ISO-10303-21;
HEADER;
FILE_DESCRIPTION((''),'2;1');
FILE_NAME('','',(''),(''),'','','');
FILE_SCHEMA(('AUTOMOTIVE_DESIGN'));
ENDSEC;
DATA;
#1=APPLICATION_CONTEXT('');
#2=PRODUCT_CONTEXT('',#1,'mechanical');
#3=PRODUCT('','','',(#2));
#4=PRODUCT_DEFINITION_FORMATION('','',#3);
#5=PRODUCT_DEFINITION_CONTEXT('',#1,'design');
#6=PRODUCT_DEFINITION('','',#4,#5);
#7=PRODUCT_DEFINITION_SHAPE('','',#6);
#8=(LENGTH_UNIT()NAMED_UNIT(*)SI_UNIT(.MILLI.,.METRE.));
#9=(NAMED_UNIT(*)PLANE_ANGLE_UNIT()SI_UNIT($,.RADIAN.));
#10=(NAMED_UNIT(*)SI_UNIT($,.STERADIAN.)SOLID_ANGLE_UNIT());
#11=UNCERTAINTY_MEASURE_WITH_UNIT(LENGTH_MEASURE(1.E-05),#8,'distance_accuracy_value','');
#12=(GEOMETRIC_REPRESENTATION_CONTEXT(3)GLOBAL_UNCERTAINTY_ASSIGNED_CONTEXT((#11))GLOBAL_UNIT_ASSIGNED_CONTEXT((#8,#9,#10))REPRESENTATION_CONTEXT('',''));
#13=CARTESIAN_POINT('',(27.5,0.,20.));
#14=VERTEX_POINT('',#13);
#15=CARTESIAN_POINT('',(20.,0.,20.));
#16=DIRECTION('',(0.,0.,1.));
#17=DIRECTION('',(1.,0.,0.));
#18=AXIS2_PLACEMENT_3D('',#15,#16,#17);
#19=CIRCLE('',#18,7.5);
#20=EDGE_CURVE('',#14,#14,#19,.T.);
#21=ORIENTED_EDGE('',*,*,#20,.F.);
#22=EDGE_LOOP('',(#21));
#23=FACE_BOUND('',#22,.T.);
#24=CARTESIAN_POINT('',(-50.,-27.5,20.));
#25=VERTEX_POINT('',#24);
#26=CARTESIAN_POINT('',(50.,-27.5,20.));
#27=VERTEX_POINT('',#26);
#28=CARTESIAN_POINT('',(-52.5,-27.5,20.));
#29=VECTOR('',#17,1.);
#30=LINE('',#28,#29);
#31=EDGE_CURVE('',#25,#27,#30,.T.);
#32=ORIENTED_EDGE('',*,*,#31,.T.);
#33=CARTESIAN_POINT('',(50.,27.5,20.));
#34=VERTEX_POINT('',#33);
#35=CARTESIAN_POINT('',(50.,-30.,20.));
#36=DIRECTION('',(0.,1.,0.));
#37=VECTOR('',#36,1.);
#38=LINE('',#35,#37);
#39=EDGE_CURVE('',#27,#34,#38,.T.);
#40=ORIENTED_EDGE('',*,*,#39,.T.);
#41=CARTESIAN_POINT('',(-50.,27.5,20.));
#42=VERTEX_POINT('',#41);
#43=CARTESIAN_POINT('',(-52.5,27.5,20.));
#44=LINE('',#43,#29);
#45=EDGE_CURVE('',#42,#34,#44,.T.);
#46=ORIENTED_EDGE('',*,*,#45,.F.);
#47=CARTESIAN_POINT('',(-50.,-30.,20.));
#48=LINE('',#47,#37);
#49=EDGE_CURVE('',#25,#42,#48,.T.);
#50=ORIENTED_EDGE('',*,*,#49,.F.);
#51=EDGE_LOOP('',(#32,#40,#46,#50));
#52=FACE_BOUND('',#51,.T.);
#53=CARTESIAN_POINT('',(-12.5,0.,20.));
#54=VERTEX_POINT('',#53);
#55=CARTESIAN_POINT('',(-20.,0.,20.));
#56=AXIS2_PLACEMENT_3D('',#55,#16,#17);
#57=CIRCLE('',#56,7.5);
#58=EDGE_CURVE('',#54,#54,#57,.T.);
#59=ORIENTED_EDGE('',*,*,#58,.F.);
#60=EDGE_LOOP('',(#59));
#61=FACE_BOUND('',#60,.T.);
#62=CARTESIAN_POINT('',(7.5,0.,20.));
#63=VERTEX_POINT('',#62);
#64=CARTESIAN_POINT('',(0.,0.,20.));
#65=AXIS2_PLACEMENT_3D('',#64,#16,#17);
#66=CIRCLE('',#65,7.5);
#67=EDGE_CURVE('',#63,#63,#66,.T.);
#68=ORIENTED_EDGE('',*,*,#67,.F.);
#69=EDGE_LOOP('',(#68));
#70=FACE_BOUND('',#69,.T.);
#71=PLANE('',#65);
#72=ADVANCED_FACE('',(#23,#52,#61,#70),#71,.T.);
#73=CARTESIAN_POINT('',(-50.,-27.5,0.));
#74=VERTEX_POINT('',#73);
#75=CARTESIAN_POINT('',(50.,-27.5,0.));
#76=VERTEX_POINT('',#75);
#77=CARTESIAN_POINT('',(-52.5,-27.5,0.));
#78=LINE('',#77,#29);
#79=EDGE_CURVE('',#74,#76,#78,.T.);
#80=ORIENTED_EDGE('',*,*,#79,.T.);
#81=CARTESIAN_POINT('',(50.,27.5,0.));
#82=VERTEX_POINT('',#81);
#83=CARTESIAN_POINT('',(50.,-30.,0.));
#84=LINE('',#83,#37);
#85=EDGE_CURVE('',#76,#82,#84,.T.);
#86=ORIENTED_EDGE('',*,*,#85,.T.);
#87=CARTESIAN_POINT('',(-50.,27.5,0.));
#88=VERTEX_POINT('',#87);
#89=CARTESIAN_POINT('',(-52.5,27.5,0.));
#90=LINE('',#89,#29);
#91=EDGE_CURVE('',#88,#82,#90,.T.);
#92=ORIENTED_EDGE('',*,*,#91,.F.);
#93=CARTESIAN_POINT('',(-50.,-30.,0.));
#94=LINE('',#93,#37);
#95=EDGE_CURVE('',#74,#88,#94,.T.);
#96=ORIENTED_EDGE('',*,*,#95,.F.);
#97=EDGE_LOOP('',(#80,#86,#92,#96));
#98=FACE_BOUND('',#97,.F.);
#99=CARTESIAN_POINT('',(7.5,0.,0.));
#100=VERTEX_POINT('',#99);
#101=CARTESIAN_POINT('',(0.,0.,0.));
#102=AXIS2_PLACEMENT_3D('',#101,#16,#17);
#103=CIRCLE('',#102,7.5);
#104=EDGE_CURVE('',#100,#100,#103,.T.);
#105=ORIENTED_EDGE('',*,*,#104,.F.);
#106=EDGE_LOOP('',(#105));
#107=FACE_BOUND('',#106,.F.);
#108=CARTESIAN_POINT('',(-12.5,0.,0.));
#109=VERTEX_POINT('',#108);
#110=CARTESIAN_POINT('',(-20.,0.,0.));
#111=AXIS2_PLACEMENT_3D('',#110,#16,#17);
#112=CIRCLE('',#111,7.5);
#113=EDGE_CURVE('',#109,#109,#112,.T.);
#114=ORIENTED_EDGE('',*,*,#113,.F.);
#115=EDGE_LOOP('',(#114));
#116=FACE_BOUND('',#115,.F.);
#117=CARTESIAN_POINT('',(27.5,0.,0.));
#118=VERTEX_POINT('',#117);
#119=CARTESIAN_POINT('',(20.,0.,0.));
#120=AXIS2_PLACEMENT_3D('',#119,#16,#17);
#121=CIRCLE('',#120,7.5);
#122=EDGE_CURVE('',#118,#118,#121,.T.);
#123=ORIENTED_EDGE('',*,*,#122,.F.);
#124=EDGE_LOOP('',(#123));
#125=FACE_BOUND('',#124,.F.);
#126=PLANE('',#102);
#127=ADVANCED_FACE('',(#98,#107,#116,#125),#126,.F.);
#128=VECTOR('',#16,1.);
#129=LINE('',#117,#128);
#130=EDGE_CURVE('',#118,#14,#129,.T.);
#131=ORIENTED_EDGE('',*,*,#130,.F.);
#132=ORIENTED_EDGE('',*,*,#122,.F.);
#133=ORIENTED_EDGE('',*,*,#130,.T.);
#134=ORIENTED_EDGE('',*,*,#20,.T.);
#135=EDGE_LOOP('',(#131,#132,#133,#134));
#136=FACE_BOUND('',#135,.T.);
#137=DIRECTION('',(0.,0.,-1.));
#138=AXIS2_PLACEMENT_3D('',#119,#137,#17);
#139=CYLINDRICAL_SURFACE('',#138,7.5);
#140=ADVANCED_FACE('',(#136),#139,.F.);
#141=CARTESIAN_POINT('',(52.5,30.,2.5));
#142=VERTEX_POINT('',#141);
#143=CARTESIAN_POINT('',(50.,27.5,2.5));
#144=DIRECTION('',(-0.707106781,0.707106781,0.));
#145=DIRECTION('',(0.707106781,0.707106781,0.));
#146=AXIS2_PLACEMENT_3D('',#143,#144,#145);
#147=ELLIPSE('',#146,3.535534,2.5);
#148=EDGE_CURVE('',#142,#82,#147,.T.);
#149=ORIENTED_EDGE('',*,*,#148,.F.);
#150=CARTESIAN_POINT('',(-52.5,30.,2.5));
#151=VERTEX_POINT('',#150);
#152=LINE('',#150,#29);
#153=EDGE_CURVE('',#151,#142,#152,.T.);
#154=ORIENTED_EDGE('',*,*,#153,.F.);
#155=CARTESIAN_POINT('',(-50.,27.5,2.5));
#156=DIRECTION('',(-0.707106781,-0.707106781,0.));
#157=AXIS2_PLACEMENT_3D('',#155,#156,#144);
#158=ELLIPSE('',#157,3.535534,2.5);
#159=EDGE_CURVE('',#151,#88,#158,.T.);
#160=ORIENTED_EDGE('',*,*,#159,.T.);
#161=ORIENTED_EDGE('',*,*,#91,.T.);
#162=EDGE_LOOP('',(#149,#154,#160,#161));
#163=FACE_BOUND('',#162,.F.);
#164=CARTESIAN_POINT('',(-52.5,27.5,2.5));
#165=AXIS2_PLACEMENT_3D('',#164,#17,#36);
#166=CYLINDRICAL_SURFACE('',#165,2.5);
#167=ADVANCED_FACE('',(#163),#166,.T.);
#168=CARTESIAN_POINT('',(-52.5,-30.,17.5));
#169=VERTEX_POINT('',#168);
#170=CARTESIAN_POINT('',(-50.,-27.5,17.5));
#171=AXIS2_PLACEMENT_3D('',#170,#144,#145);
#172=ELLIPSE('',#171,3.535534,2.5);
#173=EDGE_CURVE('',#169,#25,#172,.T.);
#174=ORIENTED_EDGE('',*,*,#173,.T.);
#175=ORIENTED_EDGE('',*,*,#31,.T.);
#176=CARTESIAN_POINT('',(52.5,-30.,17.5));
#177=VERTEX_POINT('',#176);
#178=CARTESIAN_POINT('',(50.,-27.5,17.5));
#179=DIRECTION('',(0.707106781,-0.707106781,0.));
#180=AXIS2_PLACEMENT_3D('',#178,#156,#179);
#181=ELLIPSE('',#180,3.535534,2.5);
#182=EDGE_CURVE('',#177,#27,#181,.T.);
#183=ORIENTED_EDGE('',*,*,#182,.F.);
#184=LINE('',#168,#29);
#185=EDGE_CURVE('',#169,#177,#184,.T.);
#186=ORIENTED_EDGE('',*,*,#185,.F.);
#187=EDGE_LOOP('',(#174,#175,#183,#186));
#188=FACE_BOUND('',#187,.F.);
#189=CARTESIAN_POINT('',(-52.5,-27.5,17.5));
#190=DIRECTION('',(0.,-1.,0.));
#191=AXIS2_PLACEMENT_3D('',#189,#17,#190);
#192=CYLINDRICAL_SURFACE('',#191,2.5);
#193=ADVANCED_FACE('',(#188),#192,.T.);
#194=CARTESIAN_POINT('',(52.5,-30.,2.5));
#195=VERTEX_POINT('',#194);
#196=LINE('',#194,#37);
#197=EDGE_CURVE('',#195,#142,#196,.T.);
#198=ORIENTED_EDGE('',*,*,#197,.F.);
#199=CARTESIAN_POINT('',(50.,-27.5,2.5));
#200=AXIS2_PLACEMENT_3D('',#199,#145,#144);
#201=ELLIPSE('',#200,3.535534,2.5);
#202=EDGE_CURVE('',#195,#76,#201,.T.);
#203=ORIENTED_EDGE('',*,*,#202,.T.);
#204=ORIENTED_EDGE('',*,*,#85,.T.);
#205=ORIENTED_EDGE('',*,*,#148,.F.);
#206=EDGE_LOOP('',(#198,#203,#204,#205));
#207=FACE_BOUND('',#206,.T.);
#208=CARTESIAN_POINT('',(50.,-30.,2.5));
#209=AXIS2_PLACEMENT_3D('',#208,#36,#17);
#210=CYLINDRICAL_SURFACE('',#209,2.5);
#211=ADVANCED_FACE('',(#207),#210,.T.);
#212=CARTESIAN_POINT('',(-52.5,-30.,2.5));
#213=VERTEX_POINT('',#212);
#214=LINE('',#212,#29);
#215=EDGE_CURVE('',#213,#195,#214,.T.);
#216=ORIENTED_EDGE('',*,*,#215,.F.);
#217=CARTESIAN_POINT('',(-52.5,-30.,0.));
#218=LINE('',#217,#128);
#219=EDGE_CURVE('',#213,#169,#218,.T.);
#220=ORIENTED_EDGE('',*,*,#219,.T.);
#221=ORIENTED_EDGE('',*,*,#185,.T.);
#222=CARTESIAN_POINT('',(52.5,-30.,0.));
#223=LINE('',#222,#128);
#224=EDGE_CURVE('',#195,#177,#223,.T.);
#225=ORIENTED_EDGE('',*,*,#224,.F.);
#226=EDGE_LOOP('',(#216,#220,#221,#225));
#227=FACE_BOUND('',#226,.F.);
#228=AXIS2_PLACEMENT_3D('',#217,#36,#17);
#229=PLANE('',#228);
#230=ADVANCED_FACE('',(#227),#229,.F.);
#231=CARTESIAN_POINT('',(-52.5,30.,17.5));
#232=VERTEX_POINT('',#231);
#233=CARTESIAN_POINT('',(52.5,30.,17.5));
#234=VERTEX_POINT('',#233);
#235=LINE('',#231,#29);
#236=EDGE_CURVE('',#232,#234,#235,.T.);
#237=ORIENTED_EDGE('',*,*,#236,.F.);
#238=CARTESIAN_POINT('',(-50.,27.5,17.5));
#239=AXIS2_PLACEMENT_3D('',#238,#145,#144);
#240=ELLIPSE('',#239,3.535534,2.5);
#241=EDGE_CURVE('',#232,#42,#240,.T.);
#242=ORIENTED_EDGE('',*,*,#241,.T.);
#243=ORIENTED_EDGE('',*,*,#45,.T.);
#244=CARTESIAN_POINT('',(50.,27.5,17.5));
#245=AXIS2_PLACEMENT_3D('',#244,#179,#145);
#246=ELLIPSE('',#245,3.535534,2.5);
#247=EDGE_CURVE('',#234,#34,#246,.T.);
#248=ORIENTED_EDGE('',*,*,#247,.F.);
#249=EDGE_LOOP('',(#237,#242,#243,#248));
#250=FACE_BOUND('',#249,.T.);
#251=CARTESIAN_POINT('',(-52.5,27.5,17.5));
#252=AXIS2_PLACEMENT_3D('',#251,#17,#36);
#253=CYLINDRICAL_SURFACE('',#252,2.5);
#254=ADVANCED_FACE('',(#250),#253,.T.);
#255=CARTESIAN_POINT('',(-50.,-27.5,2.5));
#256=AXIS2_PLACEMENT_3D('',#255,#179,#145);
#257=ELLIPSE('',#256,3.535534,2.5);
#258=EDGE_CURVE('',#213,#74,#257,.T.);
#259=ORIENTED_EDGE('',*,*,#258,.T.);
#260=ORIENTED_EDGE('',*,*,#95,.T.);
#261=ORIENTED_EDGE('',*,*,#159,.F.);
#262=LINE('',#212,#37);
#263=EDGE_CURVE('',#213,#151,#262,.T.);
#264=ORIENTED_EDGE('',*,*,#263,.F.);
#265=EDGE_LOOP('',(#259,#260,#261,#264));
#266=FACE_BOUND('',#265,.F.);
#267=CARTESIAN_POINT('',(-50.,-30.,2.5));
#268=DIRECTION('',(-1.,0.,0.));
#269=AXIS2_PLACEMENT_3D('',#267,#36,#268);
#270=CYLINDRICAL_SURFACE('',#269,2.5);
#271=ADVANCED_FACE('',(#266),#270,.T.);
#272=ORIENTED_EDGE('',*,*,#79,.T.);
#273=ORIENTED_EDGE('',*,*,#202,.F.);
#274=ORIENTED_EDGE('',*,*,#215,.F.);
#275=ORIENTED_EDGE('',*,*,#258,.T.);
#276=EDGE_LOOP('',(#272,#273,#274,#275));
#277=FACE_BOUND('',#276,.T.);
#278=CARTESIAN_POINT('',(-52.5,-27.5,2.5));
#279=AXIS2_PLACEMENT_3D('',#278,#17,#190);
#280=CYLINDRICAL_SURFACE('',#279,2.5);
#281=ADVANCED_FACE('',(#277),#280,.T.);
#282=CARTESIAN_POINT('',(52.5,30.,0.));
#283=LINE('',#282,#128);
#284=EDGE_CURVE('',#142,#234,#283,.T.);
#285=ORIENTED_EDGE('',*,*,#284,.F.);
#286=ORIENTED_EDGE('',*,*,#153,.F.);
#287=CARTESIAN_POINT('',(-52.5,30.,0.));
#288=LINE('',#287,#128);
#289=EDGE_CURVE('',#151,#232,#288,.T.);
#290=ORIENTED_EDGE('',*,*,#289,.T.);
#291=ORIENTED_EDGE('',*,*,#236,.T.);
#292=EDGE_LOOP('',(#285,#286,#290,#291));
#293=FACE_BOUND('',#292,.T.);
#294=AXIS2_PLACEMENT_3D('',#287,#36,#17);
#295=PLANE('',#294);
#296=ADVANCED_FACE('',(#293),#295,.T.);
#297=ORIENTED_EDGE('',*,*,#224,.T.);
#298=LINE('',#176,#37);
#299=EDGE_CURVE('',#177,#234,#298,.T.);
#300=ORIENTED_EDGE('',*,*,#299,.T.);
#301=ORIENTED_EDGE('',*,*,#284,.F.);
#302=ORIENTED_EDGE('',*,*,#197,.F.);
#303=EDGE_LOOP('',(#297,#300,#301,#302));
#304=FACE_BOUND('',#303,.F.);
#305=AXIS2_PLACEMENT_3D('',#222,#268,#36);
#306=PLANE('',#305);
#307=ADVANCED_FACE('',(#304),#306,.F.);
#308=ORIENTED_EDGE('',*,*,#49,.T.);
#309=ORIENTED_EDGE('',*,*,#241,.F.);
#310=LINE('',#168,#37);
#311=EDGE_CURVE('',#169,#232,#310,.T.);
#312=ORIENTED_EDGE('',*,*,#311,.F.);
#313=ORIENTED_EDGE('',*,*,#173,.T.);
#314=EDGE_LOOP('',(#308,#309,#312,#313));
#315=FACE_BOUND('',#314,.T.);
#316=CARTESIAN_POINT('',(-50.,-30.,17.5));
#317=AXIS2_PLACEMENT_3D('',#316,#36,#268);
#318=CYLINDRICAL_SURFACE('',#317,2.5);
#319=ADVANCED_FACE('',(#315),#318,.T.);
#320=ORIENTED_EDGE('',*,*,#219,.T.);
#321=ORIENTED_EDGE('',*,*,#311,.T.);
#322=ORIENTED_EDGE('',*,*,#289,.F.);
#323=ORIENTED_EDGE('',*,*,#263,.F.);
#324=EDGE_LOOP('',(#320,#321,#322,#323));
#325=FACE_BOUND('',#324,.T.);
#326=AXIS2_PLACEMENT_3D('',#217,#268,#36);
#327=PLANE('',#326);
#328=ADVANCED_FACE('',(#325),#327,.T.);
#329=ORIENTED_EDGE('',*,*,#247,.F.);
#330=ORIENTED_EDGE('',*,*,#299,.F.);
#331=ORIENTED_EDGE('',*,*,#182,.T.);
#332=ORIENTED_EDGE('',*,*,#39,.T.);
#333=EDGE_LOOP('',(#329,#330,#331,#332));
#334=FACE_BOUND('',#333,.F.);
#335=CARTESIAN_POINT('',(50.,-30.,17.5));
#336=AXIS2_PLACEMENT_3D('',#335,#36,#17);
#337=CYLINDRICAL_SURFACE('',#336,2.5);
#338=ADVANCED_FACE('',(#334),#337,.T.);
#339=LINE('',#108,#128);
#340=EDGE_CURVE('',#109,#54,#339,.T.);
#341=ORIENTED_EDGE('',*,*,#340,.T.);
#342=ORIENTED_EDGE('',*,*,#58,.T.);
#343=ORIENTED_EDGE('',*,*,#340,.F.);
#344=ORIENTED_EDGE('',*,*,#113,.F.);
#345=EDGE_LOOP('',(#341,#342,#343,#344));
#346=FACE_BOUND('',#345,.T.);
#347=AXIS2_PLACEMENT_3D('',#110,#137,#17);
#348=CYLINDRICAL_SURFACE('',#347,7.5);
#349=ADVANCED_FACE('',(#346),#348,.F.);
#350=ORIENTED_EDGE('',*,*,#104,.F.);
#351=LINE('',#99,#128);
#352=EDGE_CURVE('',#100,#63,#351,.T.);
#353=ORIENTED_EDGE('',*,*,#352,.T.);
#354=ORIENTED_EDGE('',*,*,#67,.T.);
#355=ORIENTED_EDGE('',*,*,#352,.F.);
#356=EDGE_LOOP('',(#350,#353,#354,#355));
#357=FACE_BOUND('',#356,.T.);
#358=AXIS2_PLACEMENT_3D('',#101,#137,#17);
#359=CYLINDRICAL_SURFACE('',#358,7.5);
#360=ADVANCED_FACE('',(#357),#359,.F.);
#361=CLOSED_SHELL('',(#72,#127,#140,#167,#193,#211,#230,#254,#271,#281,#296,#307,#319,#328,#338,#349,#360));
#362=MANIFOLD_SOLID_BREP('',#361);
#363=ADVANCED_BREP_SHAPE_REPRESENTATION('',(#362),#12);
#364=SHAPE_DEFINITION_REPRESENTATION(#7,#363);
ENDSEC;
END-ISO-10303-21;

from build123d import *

# Parameters (mm, degrees)
F0_W     = 105
F0_H     = 60
F0_R     = 7.5
F1_DEPTH = 20
F2_R     = 2.5


with BuildPart() as f1:
    # F0 (on Top) → F1 (new body)
    with BuildSketch(Plane.XY):
        Rectangle(F0_W, F0_H)
        with Locations((-20, 0)):
            Circle(F0_R, mode=Mode.SUBTRACT)
        Circle(F0_R, mode=Mode.SUBTRACT)
        with Locations((20, 0)):
            Circle(F0_R, mode=Mode.SUBTRACT)
    extrude(amount=F1_DEPTH)

    # F2
    f2_edges = [f1.edges().sort_by_distance(p)[0] for p in [
        (-52.5, 0, 20),
        (0, -30, 20),
        (52.5, 0, 20),
        (0, 30, 20),
        (52.5, 0, 0),
        (0, -30, 0),
        (-52.5, 0, 0),
        (0, 30, 0),
    ]]
    fillet(f2_edges, radius=F2_R)


solid = f1.part
